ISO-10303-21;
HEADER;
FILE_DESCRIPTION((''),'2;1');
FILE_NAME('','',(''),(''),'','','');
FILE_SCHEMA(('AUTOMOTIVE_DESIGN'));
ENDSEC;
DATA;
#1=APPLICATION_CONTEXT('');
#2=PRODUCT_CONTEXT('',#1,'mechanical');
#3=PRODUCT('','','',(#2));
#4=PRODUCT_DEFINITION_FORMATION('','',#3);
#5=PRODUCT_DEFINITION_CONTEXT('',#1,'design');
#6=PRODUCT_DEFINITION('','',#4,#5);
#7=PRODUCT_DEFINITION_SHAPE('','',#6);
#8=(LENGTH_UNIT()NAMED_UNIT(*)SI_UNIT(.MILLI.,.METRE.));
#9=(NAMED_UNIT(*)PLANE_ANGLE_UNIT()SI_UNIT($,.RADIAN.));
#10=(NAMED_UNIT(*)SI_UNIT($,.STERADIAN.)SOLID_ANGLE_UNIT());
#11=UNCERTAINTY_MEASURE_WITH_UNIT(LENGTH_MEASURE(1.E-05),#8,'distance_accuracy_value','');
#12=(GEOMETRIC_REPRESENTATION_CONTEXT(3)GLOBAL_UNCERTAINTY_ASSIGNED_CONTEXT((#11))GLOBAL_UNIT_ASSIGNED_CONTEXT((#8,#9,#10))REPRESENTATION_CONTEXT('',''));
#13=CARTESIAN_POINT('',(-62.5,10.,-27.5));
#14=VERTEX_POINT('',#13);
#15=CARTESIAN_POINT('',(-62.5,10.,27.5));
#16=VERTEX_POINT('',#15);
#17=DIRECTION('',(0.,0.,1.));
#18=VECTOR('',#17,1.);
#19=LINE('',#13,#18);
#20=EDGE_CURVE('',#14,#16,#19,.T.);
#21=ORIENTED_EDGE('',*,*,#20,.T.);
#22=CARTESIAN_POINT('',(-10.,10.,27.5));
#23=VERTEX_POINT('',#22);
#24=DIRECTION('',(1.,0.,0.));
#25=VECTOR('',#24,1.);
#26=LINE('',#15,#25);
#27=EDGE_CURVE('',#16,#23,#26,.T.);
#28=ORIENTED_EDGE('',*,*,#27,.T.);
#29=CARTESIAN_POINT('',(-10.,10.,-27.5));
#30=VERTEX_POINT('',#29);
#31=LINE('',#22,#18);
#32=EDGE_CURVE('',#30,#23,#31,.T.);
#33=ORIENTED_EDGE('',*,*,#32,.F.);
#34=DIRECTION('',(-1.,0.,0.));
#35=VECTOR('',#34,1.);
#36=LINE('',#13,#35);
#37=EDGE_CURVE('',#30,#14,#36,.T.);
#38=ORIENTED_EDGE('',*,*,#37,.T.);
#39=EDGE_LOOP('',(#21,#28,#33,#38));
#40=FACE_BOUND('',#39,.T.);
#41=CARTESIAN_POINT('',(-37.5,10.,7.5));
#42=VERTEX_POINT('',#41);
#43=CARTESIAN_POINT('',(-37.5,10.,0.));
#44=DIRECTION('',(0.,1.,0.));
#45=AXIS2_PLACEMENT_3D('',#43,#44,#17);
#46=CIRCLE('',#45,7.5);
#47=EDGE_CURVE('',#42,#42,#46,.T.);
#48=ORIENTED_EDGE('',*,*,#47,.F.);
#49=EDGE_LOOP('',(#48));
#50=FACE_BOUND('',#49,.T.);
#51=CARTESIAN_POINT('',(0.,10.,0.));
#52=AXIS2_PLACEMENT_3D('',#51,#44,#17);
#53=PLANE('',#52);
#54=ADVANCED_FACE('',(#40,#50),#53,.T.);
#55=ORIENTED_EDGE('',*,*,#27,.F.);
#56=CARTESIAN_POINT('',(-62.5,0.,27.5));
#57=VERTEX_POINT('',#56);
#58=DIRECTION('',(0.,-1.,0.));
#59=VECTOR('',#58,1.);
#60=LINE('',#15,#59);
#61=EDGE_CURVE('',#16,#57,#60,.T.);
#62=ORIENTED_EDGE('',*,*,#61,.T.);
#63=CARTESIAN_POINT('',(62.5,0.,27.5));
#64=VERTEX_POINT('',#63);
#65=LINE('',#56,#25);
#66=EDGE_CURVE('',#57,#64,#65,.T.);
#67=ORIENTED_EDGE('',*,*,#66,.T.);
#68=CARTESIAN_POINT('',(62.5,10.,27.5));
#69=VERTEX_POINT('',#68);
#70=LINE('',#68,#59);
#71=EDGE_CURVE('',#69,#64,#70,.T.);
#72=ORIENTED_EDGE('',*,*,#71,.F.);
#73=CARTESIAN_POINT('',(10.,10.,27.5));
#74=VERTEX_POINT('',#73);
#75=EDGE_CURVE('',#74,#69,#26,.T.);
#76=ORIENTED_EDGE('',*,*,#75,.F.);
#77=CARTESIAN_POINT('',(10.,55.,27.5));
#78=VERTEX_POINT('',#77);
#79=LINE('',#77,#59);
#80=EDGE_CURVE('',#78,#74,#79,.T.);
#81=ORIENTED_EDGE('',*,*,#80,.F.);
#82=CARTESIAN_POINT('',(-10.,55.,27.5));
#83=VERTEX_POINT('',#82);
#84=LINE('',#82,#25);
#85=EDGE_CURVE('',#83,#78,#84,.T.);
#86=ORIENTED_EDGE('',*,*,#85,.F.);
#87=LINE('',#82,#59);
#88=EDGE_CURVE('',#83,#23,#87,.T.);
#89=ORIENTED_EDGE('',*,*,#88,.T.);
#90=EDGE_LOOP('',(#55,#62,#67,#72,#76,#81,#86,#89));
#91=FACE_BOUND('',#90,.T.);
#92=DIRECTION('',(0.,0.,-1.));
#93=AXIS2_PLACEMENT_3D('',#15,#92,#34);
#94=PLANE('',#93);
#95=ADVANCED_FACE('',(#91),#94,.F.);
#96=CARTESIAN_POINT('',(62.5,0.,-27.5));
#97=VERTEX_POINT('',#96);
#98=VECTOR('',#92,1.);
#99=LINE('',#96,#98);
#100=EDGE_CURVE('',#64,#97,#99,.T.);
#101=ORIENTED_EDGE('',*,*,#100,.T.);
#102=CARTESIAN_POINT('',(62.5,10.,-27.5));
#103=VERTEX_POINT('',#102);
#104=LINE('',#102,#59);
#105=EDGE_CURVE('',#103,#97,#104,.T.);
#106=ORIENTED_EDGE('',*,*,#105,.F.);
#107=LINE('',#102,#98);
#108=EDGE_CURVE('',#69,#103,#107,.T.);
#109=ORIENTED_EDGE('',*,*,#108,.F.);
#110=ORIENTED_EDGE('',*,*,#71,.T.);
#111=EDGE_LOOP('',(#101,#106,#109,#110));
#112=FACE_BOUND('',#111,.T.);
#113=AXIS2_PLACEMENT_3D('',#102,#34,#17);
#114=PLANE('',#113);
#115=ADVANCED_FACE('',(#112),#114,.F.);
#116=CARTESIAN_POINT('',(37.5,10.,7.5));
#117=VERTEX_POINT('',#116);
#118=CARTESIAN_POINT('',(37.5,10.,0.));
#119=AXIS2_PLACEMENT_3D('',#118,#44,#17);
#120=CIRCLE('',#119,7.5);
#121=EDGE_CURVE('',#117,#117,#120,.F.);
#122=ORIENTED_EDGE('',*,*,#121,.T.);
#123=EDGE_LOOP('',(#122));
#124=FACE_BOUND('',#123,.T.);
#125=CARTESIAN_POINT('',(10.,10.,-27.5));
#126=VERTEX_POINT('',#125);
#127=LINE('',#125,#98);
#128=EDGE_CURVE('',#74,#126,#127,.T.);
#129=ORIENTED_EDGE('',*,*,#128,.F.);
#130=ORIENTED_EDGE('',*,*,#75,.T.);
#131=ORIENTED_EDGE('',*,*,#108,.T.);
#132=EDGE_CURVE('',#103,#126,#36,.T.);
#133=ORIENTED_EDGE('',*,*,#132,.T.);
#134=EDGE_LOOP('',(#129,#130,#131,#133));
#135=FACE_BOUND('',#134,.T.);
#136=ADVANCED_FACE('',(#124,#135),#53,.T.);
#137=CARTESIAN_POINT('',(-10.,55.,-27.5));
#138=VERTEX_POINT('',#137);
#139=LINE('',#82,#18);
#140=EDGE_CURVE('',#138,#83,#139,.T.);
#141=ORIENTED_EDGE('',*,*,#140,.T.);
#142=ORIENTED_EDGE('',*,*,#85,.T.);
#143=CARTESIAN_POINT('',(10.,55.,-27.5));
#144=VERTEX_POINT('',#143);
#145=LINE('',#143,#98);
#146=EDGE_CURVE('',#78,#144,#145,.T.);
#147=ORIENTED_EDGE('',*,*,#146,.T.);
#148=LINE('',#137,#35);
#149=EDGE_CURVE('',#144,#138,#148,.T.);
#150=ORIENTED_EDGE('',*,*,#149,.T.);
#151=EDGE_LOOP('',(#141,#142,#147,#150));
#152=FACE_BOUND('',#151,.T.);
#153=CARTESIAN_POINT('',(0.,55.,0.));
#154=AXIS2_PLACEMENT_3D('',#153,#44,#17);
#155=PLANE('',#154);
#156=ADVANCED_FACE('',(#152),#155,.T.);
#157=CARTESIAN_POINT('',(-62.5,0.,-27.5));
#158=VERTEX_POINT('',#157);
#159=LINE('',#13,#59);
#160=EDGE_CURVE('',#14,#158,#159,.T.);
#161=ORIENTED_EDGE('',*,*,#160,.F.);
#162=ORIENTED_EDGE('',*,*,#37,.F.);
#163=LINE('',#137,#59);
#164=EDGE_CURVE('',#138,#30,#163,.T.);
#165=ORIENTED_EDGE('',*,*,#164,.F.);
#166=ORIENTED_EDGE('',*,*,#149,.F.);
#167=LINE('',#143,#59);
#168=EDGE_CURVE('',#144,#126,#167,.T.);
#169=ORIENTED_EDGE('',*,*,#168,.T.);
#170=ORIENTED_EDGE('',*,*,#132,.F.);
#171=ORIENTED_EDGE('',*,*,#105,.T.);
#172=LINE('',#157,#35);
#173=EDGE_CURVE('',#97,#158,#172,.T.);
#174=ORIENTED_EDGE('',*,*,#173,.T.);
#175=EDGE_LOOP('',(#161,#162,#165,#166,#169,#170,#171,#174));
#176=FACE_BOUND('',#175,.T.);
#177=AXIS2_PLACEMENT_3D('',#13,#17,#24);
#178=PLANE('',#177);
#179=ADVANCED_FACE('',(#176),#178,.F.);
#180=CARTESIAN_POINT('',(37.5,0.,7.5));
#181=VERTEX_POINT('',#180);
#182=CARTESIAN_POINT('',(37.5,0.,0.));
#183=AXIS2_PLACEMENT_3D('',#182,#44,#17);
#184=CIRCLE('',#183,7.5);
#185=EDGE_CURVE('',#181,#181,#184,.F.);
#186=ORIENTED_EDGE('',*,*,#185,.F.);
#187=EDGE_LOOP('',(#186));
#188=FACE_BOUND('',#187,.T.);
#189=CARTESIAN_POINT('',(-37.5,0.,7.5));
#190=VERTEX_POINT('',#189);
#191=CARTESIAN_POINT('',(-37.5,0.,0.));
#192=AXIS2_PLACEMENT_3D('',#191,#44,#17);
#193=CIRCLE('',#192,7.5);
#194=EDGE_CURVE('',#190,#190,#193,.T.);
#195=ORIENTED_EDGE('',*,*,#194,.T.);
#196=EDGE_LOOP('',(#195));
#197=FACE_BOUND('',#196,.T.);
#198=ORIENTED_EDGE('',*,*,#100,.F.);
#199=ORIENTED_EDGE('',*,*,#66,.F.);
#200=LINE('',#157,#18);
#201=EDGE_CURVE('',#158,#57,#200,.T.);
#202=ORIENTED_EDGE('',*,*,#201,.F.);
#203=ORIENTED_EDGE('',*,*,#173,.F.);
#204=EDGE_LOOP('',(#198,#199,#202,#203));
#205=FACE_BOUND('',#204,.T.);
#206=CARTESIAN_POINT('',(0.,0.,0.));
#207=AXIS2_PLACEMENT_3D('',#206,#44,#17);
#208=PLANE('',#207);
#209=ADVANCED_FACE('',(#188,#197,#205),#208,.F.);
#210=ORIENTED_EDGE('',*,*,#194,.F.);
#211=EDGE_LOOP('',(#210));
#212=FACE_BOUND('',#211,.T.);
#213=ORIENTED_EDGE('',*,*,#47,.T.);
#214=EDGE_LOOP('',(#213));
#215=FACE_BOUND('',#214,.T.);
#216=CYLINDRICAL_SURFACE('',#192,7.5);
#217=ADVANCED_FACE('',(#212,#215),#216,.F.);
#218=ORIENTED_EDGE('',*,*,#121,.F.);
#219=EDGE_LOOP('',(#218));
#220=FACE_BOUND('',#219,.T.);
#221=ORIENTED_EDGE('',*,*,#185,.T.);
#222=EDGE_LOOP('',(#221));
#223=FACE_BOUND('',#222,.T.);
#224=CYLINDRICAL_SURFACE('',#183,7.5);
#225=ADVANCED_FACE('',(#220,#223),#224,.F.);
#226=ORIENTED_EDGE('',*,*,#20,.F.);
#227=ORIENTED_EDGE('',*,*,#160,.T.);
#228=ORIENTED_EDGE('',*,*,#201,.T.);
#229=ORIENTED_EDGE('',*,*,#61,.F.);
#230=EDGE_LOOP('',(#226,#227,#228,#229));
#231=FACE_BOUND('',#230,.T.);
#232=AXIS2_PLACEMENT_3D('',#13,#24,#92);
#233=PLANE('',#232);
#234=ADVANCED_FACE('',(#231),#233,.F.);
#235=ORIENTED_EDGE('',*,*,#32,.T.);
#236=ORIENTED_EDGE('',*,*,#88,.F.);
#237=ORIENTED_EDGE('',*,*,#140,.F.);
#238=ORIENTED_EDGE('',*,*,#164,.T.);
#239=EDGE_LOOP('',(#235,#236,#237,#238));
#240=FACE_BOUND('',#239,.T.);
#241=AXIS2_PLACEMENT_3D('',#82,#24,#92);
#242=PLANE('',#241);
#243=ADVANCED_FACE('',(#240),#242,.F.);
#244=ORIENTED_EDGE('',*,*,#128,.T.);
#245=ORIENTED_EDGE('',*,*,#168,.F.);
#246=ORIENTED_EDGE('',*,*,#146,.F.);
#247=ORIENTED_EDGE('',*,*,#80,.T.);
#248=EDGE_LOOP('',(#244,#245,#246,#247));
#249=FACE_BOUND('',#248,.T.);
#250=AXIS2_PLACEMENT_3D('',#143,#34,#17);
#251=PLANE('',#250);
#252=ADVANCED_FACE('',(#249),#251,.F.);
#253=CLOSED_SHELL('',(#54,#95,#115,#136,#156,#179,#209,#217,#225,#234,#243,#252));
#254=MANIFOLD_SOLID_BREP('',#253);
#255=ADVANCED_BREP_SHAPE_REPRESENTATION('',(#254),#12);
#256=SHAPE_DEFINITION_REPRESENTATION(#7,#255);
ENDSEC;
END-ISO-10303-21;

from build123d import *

# Parameters (mm, degrees)
SKETCH1_W           = 125
SKETCH1_H           = 55
BOSS_EXTRUDE1_DEPTH = 10
SKETCH2_R           = 7.5
CUT_EXTRUDE1_DEPTH  = 10
SKETCH3_W           = 20
SKETCH3_H           = 55
BOSS_EXTRUDE2_DEPTH = 45


with BuildPart() as part:
    # Sketch1 → Boss-Extrude1 (new body)
    with BuildSketch(Plane(origin=(0, 0, 0), x_dir=(1, 0, 0), z_dir=(0, 1, 0))):
        Rectangle(SKETCH1_W, SKETCH1_H)
    extrude(amount=BOSS_EXTRUDE1_DEPTH)

    # Sketch2 → Cut-Extrude1 (cut)
    with BuildSketch(Plane(origin=(0, 10, 0), x_dir=(1, 0, 0), z_dir=(0, 1, 0))):
        with Locations(Location((-37.5, 0, 0), (0, 0, 270))):
            Circle(SKETCH2_R)
        with Locations(Location((37.5, 0, 0), (0, 0, 270))):
            Circle(SKETCH2_R)
    extrude(amount=-CUT_EXTRUDE1_DEPTH, mode=Mode.SUBTRACT)

    # Sketch3 → Boss-Extrude2 (add)
    with BuildSketch(Plane(origin=(0, 10, 0), x_dir=(1, 0, 0), z_dir=(0, 1, 0))):
        Rectangle(SKETCH3_W, SKETCH3_H)
    extrude(amount=BOSS_EXTRUDE2_DEPTH)


solid = part.part
